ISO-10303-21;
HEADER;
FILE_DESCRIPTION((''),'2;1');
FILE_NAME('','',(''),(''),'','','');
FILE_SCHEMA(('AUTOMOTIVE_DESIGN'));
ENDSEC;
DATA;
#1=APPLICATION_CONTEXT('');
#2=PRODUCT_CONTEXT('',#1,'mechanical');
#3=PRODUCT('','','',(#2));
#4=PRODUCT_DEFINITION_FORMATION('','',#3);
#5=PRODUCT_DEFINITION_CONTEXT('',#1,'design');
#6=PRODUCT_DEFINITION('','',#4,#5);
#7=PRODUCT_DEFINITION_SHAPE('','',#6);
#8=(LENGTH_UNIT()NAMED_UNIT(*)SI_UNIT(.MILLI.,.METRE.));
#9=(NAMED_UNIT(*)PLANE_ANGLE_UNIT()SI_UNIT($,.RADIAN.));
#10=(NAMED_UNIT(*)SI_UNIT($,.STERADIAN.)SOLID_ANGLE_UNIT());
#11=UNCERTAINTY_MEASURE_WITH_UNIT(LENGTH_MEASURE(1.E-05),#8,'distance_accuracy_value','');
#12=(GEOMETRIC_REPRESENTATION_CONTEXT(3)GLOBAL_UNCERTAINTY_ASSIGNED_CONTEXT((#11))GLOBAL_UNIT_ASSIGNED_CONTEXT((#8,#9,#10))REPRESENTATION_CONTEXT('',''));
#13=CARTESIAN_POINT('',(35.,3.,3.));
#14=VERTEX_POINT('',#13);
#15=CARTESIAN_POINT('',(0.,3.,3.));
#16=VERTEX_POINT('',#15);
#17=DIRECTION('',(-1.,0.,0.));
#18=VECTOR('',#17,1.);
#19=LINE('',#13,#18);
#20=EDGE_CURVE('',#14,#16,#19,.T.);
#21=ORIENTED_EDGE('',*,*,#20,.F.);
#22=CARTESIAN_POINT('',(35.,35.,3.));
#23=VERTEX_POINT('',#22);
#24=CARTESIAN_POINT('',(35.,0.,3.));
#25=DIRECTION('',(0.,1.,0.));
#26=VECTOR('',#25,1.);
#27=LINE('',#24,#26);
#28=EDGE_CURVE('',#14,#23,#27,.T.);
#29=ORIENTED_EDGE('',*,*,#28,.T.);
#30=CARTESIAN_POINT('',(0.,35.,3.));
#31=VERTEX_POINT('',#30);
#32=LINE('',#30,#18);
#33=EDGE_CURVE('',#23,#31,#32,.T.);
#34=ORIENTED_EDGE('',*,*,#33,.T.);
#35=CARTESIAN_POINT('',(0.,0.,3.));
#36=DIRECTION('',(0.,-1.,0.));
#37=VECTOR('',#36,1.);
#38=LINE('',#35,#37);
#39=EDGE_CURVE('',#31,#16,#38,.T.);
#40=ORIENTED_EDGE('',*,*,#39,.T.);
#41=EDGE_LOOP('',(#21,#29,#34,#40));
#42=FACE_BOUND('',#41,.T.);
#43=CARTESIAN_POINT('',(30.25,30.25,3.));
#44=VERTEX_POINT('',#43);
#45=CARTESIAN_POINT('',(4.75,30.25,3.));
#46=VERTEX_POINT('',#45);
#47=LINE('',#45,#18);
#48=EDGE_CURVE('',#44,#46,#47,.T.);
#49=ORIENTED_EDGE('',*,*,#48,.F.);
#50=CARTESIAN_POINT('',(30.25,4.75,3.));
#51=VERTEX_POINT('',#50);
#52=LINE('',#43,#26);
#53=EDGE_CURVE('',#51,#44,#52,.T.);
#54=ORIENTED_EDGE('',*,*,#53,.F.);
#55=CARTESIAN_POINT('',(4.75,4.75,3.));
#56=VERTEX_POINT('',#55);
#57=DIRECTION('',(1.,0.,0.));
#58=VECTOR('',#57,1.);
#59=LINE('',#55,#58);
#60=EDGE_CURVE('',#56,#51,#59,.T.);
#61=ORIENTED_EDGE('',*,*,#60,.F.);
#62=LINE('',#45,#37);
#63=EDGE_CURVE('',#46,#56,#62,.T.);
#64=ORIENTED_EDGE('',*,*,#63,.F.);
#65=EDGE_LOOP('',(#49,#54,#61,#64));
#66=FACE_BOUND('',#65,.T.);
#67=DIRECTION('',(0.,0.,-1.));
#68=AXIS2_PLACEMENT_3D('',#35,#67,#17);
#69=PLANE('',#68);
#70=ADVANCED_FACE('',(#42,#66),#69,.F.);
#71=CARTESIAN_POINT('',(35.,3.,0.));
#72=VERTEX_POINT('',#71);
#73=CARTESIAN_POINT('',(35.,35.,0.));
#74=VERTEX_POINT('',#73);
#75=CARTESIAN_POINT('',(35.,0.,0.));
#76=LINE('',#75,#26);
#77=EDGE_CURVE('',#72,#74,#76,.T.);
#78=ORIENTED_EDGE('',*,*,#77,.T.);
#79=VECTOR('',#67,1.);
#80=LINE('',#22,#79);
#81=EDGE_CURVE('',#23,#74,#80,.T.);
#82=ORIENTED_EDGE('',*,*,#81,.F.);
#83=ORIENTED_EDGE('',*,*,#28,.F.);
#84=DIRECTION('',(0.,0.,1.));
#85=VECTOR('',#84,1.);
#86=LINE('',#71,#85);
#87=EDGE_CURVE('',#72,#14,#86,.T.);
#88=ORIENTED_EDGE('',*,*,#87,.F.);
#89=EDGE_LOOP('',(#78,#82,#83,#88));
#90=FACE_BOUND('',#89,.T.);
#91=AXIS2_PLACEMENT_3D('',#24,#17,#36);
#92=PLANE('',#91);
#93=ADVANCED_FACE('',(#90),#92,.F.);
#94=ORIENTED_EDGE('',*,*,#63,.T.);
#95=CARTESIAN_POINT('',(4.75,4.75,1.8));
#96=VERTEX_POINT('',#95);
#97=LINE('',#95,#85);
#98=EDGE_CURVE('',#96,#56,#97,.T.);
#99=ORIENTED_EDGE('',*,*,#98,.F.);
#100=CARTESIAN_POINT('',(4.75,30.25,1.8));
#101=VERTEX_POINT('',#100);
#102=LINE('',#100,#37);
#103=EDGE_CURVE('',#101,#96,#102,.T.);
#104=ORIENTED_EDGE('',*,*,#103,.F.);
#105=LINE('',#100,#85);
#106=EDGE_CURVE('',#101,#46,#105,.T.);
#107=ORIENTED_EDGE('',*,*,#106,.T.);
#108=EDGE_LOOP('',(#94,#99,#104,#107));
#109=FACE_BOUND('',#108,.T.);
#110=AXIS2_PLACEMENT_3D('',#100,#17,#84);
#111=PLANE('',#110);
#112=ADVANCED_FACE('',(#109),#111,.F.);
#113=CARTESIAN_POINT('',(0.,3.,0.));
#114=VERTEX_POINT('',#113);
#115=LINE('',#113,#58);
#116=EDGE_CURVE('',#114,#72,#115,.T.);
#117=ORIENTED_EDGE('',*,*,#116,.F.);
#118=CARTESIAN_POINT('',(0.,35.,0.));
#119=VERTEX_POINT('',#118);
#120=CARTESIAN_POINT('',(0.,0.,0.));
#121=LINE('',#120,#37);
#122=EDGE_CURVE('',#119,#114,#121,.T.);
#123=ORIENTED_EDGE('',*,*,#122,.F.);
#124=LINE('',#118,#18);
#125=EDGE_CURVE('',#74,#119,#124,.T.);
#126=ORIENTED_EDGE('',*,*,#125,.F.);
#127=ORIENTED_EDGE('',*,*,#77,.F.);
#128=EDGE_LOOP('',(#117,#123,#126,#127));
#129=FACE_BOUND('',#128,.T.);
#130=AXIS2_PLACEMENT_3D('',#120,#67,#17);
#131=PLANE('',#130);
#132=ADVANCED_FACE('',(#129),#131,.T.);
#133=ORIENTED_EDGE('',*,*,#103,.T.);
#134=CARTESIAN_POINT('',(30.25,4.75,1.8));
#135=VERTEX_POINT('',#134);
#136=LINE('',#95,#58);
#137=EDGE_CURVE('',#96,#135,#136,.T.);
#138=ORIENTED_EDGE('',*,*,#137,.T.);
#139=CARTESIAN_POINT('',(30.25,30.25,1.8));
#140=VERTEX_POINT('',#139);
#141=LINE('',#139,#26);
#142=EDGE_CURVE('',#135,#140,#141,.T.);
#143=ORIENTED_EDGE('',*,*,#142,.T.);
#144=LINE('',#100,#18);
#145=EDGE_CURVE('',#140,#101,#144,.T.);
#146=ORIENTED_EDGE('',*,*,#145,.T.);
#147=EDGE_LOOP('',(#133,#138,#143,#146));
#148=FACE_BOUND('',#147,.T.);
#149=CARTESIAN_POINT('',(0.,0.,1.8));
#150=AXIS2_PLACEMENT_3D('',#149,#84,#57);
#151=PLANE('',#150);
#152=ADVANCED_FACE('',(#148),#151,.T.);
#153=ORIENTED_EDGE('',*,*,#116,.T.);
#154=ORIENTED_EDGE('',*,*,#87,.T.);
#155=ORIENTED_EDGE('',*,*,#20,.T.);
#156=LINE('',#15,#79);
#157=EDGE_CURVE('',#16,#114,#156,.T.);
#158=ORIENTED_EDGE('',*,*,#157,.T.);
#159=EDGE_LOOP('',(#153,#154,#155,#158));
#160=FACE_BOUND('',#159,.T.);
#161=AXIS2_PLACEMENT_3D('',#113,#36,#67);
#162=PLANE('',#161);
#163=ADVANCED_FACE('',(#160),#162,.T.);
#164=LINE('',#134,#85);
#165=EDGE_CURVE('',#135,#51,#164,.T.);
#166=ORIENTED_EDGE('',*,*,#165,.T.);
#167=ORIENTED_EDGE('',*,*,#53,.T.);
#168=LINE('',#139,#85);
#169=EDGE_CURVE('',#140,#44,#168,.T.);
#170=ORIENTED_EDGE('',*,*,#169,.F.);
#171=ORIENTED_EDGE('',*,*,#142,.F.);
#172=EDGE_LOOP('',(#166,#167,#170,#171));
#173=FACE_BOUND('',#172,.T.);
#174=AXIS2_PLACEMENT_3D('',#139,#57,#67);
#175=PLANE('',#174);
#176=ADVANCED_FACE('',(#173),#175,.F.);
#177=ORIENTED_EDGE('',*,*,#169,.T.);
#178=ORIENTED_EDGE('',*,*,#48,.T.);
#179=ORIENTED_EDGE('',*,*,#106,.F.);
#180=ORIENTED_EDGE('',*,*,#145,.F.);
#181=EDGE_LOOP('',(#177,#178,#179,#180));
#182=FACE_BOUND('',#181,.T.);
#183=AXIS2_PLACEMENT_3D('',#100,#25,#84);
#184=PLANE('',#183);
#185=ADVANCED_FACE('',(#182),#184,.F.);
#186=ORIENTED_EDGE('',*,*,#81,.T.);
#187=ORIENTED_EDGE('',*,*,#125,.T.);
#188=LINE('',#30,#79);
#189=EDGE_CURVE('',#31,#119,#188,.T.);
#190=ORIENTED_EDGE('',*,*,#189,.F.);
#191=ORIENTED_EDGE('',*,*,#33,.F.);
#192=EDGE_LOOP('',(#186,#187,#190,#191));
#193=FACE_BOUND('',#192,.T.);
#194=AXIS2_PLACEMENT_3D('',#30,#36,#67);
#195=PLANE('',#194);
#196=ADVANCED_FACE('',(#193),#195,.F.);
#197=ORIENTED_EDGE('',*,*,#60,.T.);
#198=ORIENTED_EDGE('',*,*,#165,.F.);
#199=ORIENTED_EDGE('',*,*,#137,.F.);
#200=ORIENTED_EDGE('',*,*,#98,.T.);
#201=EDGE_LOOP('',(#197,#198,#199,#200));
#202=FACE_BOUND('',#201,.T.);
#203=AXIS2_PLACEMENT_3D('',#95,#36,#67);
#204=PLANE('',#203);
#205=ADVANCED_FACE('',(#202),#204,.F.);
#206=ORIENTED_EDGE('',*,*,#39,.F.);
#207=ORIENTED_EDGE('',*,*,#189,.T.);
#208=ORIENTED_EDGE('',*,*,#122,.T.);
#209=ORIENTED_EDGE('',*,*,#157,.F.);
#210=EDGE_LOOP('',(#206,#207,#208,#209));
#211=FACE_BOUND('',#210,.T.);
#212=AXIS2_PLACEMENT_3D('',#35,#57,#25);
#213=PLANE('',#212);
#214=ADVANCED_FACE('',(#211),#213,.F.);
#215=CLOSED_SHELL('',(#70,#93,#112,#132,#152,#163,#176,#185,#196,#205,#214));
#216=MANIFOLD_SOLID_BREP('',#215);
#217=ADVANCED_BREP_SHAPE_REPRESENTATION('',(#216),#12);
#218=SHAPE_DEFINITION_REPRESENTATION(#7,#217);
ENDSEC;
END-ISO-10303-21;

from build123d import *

# Parameters (mm, degrees)
SKETCH1_W           = 35
SKETCH1_H           = 35
BOSS_EXTRUDE1_DEPTH = 3
SKETCH2_W           = 25.5
SKETCH2_H           = 25.5
CUT_EXTRUDE1_DEPTH  = 1.2
SKETCH3_W           = 35
SKETCH3_H           = 3
CUT_EXTRUDE2_DEPTH  = 3


with BuildPart() as part:
    # Sketch1 → Boss-Extrude1 (new body)
    with BuildSketch(Plane.XY):
        with Locations((17.5, 17.5)):
            Rectangle(SKETCH1_W, SKETCH1_H)
    extrude(amount=BOSS_EXTRUDE1_DEPTH)

    # Sketch2 → Cut-Extrude1 (cut)
    with BuildSketch(Plane.XY.offset(3)):
        with Locations((17.5, 17.5)):
            Rectangle(SKETCH2_W, SKETCH2_H)
    extrude(amount=-CUT_EXTRUDE1_DEPTH, mode=Mode.SUBTRACT)

    # Sketch3 → Cut-Extrude2 (cut)
    with BuildSketch(Plane.XZ):
        with Locations((17.5, 1.5)):
            Rectangle(SKETCH3_W, SKETCH3_H)
    extrude(amount=-CUT_EXTRUDE2_DEPTH, mode=Mode.SUBTRACT)


solid = part.part
